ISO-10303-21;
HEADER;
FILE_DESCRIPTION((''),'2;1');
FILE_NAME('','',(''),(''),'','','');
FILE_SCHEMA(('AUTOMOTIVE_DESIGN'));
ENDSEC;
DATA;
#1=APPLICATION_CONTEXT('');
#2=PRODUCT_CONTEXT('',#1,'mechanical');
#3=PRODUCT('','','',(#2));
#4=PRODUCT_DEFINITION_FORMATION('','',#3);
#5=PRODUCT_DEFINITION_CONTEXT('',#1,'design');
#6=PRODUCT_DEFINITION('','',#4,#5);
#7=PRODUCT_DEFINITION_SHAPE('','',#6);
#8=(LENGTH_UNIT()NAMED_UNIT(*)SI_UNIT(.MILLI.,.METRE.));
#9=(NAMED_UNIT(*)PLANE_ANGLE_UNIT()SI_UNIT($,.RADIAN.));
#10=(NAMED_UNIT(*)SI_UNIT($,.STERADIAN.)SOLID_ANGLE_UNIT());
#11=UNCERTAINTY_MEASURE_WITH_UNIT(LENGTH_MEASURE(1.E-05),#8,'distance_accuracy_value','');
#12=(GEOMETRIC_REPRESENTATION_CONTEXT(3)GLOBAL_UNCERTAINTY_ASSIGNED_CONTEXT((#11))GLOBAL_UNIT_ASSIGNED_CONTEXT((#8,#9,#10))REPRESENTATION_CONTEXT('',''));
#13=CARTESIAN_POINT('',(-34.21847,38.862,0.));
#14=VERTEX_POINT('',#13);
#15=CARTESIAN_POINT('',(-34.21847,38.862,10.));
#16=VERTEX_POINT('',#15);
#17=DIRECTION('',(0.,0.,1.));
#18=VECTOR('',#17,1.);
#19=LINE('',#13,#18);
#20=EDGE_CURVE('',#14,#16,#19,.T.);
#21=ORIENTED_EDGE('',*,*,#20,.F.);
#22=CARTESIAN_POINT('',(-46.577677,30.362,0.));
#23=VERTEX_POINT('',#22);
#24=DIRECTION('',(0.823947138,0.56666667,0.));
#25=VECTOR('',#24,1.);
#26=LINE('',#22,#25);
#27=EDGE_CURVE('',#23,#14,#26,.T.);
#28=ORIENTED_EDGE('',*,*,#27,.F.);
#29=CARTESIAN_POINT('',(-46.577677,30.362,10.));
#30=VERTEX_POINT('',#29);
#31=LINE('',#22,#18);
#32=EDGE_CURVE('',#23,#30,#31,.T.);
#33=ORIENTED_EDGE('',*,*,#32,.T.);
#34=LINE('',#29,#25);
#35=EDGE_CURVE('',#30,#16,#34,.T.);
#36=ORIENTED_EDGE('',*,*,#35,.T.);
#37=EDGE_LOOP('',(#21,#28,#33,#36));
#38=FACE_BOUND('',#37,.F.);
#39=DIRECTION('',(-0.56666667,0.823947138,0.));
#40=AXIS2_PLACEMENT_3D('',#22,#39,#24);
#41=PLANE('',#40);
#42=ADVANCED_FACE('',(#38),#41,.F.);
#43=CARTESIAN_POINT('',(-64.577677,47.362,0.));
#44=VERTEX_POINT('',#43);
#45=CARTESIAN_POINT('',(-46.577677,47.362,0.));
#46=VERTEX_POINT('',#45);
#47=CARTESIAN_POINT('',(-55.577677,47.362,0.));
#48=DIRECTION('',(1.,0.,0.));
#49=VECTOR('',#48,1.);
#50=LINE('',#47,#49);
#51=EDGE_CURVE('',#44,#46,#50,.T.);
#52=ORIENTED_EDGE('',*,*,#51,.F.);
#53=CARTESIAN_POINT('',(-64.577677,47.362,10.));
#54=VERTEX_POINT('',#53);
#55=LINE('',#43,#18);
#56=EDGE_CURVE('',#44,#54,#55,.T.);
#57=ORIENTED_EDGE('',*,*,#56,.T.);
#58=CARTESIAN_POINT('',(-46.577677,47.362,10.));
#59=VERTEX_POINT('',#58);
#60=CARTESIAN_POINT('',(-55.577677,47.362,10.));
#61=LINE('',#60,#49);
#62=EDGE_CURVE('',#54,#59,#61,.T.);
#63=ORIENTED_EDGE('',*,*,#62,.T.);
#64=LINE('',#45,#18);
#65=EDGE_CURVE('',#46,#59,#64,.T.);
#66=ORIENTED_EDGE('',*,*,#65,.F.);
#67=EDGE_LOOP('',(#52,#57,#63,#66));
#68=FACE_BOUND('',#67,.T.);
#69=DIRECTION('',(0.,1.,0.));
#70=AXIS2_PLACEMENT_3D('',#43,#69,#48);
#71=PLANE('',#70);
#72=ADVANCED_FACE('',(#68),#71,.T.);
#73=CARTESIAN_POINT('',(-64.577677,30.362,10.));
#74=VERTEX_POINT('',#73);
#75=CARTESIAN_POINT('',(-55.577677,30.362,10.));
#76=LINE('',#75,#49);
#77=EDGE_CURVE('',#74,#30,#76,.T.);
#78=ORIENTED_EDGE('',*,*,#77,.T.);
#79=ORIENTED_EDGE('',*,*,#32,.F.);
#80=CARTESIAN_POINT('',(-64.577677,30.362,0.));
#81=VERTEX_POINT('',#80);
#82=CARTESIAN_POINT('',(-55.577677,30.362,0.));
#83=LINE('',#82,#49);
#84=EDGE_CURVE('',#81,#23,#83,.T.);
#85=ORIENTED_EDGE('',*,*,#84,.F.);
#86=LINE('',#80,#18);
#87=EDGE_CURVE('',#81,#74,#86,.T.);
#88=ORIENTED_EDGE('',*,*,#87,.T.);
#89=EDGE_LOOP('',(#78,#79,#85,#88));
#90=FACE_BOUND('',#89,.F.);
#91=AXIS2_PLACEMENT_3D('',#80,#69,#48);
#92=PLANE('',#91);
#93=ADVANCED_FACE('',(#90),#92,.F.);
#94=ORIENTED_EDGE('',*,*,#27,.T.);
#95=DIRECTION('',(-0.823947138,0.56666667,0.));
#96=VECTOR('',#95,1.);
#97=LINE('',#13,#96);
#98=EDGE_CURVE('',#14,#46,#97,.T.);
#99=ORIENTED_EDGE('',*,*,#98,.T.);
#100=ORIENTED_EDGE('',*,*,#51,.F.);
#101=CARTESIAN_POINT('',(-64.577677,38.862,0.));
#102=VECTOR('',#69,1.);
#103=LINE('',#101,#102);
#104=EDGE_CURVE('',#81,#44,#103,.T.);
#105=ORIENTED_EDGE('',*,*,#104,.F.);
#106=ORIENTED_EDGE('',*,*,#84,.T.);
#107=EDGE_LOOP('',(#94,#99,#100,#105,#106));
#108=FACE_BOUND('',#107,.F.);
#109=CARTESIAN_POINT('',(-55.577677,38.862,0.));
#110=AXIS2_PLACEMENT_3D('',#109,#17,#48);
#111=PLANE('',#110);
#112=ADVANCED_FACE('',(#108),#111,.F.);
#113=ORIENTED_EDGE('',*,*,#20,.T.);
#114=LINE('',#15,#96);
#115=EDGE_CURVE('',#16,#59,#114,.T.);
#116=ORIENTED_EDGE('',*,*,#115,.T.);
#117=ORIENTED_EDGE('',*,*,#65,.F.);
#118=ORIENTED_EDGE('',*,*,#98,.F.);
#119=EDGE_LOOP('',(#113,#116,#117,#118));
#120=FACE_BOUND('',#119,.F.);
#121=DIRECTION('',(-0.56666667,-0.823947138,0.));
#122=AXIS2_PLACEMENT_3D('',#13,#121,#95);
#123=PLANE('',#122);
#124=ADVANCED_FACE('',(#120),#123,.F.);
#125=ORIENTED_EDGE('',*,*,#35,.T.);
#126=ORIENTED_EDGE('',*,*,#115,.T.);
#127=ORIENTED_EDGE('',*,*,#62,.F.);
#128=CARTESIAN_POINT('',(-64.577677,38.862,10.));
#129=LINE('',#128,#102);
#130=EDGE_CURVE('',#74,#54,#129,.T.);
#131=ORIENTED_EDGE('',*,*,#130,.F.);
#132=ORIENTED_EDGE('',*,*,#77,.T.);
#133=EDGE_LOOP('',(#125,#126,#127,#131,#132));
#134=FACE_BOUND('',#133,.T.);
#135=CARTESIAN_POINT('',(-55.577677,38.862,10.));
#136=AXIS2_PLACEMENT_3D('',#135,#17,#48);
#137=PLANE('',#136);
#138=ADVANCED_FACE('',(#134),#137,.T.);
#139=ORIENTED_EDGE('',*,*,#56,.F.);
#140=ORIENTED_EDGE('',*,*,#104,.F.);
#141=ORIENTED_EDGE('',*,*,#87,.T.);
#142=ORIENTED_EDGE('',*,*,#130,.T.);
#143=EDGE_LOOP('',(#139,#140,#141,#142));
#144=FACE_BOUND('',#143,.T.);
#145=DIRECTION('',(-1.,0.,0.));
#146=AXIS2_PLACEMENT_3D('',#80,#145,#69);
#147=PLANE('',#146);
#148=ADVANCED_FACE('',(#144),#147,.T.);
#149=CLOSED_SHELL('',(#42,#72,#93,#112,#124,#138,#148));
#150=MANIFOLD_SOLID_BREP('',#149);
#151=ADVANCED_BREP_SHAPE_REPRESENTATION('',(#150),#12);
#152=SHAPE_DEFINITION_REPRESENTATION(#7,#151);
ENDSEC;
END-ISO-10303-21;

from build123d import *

# Parameters (mm, degrees)
F0_W     = 18
F0_H     = 17
F1_DEPTH = 10


with BuildPart() as f1:
    # F0 (on Top) → F1 (new body)
    with BuildSketch(Plane.XY):
        with Locations((-55.577677, 38.862)):
            Rectangle(F0_W, F0_H)
        Polygon((-34.21847, 38.862), (-46.577677, 47.362), (-46.577677, 30.362), align=None)
    extrude(amount=F1_DEPTH)


solid = f1.part
